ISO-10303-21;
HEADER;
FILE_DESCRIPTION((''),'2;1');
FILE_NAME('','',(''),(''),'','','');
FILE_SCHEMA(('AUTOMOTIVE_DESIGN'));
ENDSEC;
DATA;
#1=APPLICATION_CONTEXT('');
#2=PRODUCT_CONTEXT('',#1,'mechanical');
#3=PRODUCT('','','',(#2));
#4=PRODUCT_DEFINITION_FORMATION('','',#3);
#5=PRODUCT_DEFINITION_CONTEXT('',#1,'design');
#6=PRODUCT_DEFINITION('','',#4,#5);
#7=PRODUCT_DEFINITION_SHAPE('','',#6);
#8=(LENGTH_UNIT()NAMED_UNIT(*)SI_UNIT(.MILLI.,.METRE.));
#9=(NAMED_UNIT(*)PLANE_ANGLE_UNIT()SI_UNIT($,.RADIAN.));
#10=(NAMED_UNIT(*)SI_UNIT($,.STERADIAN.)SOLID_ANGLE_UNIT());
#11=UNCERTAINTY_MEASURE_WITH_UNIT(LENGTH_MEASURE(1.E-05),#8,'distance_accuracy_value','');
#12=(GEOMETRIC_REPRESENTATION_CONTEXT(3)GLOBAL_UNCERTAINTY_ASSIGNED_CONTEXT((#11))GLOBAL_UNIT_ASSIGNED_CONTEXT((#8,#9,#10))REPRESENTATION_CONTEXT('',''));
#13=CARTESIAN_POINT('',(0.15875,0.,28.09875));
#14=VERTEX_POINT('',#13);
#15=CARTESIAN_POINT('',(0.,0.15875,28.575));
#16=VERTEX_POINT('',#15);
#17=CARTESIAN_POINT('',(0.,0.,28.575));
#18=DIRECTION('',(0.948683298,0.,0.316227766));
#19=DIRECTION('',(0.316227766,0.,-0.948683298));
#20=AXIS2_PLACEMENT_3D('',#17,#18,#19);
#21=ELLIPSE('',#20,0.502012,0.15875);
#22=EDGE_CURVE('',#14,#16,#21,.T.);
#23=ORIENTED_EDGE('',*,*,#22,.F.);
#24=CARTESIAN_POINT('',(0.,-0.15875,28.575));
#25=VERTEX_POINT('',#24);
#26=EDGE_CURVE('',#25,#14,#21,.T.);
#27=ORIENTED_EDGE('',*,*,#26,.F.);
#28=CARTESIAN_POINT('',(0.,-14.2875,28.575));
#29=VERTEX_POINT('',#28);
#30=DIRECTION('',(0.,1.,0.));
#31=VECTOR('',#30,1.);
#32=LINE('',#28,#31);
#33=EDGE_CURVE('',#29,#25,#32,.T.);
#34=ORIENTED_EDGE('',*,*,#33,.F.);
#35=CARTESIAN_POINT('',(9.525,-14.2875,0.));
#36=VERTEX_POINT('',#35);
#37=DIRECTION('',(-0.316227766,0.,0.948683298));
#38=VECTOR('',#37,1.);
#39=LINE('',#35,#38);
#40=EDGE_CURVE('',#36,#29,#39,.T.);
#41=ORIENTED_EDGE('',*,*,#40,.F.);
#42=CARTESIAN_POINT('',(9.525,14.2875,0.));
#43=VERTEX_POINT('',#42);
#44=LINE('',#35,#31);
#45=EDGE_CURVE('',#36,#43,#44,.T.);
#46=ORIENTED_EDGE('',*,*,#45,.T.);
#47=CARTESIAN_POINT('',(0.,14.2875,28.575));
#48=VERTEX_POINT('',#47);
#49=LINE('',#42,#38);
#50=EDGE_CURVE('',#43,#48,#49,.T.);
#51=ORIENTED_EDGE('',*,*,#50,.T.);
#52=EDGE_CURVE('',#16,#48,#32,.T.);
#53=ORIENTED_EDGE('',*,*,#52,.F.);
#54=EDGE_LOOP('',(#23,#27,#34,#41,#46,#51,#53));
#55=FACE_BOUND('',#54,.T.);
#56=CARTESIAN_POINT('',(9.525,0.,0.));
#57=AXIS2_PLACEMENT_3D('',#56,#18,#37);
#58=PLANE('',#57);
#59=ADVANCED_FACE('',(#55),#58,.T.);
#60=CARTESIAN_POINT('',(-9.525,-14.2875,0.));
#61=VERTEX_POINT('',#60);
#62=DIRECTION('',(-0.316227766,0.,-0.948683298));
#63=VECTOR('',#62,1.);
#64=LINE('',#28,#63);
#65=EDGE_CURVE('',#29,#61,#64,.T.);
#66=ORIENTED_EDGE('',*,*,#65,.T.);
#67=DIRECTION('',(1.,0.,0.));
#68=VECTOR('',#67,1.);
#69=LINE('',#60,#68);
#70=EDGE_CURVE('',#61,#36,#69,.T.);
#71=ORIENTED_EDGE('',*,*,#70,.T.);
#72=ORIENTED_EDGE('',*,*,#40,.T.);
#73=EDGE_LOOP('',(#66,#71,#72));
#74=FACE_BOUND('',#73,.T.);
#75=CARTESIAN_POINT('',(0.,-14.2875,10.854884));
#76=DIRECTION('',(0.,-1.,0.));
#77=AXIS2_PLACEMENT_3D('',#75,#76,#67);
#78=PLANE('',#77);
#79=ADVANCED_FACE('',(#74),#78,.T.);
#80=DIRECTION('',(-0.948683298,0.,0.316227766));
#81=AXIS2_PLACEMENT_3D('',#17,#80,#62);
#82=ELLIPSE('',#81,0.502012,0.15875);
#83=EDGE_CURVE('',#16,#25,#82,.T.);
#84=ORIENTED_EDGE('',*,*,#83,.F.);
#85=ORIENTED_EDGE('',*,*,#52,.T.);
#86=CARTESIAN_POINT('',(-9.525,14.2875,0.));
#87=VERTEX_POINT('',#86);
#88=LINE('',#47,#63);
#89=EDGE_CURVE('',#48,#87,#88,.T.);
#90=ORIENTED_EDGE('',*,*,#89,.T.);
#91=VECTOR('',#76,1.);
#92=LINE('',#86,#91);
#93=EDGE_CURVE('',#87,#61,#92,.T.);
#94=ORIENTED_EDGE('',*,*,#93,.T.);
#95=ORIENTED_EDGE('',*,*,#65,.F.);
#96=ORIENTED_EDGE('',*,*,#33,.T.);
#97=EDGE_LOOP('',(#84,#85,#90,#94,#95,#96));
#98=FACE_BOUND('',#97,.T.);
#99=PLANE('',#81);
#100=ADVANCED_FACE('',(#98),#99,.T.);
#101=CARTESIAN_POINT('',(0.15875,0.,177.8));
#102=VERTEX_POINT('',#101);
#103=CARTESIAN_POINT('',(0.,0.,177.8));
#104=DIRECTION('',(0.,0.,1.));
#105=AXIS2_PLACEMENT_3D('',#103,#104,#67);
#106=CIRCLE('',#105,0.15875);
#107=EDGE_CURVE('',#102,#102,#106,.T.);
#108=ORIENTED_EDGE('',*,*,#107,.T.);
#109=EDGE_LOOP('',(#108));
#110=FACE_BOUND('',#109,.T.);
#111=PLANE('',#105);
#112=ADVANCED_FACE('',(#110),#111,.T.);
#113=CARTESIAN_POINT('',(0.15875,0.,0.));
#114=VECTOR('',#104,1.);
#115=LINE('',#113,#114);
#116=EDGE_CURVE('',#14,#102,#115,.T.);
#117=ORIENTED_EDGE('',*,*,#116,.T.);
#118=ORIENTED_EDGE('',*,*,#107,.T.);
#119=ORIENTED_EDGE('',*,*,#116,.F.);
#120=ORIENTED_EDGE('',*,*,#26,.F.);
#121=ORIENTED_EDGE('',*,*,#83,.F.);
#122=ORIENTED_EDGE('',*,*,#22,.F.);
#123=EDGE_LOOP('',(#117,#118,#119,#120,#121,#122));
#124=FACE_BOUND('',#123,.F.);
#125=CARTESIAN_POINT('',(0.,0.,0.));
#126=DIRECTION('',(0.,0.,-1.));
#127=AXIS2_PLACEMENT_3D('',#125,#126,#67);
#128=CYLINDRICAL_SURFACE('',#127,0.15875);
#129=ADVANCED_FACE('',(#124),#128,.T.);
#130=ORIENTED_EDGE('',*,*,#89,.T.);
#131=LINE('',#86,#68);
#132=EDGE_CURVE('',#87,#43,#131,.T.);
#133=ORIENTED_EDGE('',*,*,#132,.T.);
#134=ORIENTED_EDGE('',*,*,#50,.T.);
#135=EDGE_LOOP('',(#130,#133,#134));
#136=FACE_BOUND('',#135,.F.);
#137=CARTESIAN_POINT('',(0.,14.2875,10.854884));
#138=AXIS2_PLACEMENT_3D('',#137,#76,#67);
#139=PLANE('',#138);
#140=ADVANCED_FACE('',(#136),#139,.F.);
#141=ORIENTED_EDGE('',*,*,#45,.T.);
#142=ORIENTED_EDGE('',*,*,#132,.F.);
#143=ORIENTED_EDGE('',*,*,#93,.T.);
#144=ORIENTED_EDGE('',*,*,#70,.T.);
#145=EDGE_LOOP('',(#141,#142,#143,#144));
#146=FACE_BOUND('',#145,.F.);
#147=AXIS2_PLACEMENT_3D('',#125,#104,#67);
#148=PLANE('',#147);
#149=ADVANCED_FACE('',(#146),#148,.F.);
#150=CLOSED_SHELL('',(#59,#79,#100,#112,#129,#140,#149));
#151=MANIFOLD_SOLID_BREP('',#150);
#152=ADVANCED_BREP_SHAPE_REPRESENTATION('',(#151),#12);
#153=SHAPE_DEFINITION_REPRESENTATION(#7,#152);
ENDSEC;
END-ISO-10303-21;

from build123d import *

# Parameters (mm, degrees)
F1_DEPTH = 14.2875
F2_R     = 0.15875
F3_DEPTH = 177.8


with BuildPart() as f1:
    # F0 (on Front) → F1 (new body, symmetric)
    with BuildSketch(Plane.XZ):
        Polygon((0, 28.575), (-9.525, 0), (9.525, 0), align=None)
    extrude(amount=F1_DEPTH, both=True)

    # F2 (on Top) → F3 (join)
    with BuildSketch(Plane.XY):
        Circle(F2_R)
    extrude(amount=F3_DEPTH)


solid = f1.part
